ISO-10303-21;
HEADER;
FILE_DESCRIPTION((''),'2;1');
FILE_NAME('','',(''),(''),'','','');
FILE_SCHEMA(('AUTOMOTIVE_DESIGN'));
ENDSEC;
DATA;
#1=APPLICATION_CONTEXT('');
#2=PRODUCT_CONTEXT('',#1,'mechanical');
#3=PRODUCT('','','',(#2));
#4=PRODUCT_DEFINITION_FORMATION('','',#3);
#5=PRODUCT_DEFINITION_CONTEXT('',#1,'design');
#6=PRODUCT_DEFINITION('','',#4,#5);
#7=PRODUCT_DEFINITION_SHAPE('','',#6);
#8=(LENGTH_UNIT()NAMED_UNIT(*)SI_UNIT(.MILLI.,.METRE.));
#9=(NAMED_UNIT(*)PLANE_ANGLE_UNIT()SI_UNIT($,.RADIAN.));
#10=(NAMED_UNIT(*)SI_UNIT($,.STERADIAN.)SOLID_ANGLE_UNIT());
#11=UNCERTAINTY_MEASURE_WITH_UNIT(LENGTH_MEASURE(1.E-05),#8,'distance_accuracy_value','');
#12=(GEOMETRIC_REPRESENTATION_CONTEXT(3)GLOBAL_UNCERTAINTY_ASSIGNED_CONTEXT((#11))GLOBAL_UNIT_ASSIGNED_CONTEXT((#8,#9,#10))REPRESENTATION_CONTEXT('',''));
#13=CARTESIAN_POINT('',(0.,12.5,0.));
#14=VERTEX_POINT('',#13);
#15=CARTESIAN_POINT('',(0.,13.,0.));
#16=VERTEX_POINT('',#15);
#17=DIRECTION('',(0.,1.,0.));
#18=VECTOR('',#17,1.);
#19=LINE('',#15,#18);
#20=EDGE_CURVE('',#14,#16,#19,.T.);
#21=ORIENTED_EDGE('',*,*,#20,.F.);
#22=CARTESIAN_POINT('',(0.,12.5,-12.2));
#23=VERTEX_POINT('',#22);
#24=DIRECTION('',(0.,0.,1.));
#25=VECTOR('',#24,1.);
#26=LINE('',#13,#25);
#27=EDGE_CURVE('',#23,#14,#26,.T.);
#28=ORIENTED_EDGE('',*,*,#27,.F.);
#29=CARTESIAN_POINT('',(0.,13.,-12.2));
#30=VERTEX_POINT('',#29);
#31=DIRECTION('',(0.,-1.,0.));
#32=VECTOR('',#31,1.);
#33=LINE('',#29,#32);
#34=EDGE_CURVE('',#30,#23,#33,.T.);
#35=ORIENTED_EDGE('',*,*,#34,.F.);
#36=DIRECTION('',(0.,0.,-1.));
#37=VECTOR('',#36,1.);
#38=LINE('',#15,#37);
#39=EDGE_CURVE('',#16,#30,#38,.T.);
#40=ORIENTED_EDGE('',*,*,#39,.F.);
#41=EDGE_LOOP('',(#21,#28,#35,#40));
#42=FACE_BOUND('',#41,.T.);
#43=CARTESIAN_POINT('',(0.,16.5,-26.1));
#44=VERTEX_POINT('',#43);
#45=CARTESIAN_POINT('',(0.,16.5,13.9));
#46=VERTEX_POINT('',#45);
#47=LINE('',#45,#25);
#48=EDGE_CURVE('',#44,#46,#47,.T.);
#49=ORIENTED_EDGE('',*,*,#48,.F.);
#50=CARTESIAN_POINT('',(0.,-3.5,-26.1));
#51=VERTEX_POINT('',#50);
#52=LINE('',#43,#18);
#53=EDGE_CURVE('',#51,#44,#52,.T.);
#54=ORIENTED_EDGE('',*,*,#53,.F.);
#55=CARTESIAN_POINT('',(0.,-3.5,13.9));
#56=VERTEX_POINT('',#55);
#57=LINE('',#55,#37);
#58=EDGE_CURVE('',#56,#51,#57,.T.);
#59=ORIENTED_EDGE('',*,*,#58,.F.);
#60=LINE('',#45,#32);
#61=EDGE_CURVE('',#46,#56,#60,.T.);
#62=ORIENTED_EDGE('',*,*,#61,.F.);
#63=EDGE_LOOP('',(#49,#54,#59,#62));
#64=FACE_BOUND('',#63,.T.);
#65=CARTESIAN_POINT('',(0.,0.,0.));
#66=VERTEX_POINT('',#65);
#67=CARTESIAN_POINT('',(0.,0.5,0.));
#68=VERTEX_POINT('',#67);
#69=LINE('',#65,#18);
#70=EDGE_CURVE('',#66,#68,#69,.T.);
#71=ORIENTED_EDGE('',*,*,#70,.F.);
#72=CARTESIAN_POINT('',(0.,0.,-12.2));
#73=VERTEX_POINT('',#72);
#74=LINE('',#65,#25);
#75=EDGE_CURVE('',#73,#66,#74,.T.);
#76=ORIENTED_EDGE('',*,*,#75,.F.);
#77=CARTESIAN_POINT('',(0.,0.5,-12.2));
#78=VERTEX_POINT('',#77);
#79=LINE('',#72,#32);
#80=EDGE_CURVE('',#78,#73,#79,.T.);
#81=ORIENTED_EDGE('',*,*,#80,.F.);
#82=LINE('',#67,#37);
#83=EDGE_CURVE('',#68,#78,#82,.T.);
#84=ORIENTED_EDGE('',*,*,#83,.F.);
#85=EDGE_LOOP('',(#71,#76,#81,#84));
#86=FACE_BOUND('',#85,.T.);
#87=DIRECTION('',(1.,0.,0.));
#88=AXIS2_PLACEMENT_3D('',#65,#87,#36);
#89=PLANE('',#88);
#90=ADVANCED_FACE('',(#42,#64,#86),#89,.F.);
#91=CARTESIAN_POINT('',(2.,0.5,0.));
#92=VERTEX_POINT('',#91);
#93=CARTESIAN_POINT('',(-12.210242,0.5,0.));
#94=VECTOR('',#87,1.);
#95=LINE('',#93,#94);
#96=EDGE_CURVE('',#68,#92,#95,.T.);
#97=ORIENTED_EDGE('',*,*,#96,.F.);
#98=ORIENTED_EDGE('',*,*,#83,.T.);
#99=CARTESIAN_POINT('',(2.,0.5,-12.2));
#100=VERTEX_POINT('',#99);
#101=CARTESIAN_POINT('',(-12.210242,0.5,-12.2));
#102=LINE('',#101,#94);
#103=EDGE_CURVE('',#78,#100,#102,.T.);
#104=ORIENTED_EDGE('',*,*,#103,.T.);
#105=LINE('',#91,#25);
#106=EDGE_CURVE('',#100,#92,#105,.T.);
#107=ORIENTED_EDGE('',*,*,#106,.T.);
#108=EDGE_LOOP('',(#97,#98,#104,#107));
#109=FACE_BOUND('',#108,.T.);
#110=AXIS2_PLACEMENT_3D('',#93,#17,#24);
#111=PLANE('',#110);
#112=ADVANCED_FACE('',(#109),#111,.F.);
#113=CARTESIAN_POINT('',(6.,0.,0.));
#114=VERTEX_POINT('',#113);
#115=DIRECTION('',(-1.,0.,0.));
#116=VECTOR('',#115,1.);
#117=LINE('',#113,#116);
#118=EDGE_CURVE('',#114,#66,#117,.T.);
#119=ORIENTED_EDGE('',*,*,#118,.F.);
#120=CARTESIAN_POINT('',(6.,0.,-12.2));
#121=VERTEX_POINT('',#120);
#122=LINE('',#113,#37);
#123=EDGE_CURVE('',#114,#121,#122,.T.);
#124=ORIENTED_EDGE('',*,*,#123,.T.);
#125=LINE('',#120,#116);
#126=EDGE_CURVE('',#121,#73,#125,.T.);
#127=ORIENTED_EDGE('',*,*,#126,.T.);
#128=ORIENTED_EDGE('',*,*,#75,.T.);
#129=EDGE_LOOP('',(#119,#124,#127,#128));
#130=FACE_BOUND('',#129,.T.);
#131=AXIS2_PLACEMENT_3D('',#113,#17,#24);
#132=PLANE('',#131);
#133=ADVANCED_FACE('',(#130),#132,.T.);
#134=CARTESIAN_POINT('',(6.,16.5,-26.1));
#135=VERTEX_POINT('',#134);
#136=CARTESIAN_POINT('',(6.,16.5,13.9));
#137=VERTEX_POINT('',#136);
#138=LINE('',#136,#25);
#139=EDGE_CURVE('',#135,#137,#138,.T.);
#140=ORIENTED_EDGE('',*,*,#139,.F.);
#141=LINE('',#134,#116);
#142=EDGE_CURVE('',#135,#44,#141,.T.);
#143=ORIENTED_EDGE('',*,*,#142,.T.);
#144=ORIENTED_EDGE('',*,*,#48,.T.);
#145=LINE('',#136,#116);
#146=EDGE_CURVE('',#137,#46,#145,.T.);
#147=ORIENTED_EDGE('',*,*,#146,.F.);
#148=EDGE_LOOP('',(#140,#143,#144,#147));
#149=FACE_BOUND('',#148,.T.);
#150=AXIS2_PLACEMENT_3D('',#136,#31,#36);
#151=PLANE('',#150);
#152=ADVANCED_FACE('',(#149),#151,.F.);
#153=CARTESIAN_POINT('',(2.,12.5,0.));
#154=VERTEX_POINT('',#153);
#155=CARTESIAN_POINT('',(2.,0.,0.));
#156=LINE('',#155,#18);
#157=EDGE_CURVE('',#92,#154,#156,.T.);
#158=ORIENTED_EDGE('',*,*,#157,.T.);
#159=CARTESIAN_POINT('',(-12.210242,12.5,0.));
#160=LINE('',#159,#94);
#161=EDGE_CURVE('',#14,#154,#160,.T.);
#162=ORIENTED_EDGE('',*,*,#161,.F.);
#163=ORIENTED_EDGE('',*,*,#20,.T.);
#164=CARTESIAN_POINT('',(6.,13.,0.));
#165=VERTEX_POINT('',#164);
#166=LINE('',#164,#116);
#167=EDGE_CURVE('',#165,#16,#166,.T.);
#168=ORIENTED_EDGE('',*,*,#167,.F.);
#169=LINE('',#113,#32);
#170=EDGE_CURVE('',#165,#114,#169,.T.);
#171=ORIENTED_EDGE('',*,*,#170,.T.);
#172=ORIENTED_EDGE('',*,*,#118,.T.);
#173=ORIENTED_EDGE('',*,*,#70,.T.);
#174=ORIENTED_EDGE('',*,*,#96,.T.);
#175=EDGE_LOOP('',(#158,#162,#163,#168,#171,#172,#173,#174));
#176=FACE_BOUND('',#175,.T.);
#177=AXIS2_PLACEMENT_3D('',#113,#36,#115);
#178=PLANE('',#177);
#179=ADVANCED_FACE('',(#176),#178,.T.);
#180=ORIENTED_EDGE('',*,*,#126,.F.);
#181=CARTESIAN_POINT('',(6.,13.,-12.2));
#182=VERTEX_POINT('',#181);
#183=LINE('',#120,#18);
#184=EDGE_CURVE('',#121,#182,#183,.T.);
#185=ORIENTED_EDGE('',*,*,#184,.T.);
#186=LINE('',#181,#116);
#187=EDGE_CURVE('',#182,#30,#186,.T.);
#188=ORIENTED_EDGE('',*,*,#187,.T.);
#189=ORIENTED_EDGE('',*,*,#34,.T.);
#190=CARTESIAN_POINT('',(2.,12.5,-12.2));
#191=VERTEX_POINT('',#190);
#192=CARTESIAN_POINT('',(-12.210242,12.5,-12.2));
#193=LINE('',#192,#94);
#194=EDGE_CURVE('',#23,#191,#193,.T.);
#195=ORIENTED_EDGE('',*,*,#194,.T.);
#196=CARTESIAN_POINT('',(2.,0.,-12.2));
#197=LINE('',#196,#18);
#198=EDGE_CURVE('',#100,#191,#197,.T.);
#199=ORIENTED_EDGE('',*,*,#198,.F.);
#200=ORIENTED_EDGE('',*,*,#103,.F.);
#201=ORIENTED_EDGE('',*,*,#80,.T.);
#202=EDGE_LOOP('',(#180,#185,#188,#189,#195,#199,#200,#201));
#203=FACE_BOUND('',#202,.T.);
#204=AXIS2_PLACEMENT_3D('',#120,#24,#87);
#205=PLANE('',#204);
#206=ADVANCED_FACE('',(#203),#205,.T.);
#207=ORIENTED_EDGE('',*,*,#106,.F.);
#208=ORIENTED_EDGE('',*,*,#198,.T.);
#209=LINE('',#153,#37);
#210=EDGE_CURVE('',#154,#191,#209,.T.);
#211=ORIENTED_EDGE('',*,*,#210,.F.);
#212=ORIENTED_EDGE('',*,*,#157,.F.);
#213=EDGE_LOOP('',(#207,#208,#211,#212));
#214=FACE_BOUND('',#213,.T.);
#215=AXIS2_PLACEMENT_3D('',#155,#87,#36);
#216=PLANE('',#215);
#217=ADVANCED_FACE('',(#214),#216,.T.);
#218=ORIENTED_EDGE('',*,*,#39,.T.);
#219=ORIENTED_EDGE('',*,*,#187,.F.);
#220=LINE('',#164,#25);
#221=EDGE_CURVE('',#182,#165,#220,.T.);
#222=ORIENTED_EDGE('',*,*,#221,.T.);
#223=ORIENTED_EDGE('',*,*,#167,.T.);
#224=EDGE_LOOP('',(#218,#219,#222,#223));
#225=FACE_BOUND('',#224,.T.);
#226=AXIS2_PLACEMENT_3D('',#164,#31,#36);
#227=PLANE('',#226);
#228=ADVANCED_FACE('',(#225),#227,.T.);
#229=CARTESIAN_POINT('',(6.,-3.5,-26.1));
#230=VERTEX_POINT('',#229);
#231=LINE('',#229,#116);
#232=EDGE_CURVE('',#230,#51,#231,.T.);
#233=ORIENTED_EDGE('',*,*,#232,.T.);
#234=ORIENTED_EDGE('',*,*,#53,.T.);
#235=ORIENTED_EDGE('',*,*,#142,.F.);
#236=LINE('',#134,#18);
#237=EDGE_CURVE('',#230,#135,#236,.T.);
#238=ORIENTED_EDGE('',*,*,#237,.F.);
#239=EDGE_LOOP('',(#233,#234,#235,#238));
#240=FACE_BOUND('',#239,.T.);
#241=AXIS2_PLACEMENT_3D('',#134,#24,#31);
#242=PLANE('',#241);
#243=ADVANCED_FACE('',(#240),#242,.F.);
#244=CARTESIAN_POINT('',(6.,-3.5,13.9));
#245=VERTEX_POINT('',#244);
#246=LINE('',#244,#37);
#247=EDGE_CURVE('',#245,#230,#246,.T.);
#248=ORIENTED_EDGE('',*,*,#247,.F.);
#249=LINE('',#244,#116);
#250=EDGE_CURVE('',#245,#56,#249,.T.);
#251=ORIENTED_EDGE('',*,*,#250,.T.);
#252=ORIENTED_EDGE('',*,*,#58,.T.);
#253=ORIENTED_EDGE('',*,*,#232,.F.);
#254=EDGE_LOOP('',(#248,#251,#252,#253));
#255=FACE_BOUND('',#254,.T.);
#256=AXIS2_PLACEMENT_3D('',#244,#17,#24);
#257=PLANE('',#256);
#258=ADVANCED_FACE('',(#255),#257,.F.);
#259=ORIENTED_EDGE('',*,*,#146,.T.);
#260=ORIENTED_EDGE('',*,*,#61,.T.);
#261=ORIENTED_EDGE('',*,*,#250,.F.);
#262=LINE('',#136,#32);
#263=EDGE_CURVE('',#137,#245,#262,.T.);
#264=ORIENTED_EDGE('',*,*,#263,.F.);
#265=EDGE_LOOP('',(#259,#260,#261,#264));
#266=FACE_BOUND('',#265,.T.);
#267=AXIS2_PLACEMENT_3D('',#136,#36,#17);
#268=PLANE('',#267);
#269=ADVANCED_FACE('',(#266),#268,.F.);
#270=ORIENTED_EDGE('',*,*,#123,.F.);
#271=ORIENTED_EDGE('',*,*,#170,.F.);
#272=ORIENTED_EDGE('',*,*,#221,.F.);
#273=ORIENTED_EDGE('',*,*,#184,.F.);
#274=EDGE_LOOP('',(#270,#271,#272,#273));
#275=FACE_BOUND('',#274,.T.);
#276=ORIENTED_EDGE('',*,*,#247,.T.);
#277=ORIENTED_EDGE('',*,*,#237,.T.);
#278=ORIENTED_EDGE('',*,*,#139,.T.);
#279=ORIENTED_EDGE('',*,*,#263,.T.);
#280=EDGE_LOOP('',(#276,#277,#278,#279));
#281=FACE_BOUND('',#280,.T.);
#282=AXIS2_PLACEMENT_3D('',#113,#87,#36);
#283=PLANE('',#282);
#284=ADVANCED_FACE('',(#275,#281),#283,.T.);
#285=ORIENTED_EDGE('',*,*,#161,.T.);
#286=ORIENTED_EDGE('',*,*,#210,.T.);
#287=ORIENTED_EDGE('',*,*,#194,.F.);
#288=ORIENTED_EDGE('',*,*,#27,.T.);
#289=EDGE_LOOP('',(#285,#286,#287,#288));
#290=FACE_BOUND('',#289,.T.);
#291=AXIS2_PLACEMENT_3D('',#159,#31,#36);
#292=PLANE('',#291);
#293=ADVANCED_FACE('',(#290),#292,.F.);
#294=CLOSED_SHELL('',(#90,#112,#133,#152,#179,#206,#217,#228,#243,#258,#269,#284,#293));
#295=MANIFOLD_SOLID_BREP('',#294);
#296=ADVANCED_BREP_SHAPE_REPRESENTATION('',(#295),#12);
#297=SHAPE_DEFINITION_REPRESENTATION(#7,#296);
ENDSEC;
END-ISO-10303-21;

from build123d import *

# Parameters (mm, degrees)
SKETCH1_W           = 12.2
SKETCH1_H           = 13
BOSS_EXTRUDE1_DEPTH = 2
SKETCH1_5_W         = 40
SKETCH1_5_H         = 20
SKETCH1_5_W_2       = 12.2
SKETCH1_5_H_2       = 13
BOSS_EXTRUDE4_DEPTH = 6
SKETCH5_W           = 12.2
SKETCH5_H           = 0.5
CUT_EXTRUDE4_DEPTH  = 2


with BuildPart() as part:
    # Sketch1 → Boss-Extrude1 (new body)
    with BuildSketch(Plane(origin=(0, 0, 0), x_dir=(0, 0, -1), z_dir=(1, 0, 0))):
        with Locations((6.1, 6.5)):
            Rectangle(SKETCH1_W, SKETCH1_H)
    extrude(amount=BOSS_EXTRUDE1_DEPTH)

    # Sketch1<5> → Boss-Extrude4 (add)
    with BuildSketch(Plane(origin=(0, 0, 0), x_dir=(0, 0, -1), z_dir=(1, 0, 0))):
        with Locations((6.1, 6.5)):
            Rectangle(SKETCH1_5_W, SKETCH1_5_H)
        with Locations((6.1, 6.5)):
            Rectangle(SKETCH1_5_W_2, SKETCH1_5_H_2, mode=Mode.SUBTRACT)
    extrude(amount=BOSS_EXTRUDE4_DEPTH)

    # Sketch5 → Cut-Extrude4 (cut)
    with BuildSketch(Plane(origin=(2, 0, 0), x_dir=(0, 0, -1), z_dir=(1, 0, 0))):
        with Locations((6.1, 0.25)):
            Rectangle(SKETCH5_W, SKETCH5_H)
        with Locations((6.1, 12.75)):
            Rectangle(SKETCH5_W, SKETCH5_H)
    extrude(amount=-CUT_EXTRUDE4_DEPTH, mode=Mode.SUBTRACT)


solid = part.part
